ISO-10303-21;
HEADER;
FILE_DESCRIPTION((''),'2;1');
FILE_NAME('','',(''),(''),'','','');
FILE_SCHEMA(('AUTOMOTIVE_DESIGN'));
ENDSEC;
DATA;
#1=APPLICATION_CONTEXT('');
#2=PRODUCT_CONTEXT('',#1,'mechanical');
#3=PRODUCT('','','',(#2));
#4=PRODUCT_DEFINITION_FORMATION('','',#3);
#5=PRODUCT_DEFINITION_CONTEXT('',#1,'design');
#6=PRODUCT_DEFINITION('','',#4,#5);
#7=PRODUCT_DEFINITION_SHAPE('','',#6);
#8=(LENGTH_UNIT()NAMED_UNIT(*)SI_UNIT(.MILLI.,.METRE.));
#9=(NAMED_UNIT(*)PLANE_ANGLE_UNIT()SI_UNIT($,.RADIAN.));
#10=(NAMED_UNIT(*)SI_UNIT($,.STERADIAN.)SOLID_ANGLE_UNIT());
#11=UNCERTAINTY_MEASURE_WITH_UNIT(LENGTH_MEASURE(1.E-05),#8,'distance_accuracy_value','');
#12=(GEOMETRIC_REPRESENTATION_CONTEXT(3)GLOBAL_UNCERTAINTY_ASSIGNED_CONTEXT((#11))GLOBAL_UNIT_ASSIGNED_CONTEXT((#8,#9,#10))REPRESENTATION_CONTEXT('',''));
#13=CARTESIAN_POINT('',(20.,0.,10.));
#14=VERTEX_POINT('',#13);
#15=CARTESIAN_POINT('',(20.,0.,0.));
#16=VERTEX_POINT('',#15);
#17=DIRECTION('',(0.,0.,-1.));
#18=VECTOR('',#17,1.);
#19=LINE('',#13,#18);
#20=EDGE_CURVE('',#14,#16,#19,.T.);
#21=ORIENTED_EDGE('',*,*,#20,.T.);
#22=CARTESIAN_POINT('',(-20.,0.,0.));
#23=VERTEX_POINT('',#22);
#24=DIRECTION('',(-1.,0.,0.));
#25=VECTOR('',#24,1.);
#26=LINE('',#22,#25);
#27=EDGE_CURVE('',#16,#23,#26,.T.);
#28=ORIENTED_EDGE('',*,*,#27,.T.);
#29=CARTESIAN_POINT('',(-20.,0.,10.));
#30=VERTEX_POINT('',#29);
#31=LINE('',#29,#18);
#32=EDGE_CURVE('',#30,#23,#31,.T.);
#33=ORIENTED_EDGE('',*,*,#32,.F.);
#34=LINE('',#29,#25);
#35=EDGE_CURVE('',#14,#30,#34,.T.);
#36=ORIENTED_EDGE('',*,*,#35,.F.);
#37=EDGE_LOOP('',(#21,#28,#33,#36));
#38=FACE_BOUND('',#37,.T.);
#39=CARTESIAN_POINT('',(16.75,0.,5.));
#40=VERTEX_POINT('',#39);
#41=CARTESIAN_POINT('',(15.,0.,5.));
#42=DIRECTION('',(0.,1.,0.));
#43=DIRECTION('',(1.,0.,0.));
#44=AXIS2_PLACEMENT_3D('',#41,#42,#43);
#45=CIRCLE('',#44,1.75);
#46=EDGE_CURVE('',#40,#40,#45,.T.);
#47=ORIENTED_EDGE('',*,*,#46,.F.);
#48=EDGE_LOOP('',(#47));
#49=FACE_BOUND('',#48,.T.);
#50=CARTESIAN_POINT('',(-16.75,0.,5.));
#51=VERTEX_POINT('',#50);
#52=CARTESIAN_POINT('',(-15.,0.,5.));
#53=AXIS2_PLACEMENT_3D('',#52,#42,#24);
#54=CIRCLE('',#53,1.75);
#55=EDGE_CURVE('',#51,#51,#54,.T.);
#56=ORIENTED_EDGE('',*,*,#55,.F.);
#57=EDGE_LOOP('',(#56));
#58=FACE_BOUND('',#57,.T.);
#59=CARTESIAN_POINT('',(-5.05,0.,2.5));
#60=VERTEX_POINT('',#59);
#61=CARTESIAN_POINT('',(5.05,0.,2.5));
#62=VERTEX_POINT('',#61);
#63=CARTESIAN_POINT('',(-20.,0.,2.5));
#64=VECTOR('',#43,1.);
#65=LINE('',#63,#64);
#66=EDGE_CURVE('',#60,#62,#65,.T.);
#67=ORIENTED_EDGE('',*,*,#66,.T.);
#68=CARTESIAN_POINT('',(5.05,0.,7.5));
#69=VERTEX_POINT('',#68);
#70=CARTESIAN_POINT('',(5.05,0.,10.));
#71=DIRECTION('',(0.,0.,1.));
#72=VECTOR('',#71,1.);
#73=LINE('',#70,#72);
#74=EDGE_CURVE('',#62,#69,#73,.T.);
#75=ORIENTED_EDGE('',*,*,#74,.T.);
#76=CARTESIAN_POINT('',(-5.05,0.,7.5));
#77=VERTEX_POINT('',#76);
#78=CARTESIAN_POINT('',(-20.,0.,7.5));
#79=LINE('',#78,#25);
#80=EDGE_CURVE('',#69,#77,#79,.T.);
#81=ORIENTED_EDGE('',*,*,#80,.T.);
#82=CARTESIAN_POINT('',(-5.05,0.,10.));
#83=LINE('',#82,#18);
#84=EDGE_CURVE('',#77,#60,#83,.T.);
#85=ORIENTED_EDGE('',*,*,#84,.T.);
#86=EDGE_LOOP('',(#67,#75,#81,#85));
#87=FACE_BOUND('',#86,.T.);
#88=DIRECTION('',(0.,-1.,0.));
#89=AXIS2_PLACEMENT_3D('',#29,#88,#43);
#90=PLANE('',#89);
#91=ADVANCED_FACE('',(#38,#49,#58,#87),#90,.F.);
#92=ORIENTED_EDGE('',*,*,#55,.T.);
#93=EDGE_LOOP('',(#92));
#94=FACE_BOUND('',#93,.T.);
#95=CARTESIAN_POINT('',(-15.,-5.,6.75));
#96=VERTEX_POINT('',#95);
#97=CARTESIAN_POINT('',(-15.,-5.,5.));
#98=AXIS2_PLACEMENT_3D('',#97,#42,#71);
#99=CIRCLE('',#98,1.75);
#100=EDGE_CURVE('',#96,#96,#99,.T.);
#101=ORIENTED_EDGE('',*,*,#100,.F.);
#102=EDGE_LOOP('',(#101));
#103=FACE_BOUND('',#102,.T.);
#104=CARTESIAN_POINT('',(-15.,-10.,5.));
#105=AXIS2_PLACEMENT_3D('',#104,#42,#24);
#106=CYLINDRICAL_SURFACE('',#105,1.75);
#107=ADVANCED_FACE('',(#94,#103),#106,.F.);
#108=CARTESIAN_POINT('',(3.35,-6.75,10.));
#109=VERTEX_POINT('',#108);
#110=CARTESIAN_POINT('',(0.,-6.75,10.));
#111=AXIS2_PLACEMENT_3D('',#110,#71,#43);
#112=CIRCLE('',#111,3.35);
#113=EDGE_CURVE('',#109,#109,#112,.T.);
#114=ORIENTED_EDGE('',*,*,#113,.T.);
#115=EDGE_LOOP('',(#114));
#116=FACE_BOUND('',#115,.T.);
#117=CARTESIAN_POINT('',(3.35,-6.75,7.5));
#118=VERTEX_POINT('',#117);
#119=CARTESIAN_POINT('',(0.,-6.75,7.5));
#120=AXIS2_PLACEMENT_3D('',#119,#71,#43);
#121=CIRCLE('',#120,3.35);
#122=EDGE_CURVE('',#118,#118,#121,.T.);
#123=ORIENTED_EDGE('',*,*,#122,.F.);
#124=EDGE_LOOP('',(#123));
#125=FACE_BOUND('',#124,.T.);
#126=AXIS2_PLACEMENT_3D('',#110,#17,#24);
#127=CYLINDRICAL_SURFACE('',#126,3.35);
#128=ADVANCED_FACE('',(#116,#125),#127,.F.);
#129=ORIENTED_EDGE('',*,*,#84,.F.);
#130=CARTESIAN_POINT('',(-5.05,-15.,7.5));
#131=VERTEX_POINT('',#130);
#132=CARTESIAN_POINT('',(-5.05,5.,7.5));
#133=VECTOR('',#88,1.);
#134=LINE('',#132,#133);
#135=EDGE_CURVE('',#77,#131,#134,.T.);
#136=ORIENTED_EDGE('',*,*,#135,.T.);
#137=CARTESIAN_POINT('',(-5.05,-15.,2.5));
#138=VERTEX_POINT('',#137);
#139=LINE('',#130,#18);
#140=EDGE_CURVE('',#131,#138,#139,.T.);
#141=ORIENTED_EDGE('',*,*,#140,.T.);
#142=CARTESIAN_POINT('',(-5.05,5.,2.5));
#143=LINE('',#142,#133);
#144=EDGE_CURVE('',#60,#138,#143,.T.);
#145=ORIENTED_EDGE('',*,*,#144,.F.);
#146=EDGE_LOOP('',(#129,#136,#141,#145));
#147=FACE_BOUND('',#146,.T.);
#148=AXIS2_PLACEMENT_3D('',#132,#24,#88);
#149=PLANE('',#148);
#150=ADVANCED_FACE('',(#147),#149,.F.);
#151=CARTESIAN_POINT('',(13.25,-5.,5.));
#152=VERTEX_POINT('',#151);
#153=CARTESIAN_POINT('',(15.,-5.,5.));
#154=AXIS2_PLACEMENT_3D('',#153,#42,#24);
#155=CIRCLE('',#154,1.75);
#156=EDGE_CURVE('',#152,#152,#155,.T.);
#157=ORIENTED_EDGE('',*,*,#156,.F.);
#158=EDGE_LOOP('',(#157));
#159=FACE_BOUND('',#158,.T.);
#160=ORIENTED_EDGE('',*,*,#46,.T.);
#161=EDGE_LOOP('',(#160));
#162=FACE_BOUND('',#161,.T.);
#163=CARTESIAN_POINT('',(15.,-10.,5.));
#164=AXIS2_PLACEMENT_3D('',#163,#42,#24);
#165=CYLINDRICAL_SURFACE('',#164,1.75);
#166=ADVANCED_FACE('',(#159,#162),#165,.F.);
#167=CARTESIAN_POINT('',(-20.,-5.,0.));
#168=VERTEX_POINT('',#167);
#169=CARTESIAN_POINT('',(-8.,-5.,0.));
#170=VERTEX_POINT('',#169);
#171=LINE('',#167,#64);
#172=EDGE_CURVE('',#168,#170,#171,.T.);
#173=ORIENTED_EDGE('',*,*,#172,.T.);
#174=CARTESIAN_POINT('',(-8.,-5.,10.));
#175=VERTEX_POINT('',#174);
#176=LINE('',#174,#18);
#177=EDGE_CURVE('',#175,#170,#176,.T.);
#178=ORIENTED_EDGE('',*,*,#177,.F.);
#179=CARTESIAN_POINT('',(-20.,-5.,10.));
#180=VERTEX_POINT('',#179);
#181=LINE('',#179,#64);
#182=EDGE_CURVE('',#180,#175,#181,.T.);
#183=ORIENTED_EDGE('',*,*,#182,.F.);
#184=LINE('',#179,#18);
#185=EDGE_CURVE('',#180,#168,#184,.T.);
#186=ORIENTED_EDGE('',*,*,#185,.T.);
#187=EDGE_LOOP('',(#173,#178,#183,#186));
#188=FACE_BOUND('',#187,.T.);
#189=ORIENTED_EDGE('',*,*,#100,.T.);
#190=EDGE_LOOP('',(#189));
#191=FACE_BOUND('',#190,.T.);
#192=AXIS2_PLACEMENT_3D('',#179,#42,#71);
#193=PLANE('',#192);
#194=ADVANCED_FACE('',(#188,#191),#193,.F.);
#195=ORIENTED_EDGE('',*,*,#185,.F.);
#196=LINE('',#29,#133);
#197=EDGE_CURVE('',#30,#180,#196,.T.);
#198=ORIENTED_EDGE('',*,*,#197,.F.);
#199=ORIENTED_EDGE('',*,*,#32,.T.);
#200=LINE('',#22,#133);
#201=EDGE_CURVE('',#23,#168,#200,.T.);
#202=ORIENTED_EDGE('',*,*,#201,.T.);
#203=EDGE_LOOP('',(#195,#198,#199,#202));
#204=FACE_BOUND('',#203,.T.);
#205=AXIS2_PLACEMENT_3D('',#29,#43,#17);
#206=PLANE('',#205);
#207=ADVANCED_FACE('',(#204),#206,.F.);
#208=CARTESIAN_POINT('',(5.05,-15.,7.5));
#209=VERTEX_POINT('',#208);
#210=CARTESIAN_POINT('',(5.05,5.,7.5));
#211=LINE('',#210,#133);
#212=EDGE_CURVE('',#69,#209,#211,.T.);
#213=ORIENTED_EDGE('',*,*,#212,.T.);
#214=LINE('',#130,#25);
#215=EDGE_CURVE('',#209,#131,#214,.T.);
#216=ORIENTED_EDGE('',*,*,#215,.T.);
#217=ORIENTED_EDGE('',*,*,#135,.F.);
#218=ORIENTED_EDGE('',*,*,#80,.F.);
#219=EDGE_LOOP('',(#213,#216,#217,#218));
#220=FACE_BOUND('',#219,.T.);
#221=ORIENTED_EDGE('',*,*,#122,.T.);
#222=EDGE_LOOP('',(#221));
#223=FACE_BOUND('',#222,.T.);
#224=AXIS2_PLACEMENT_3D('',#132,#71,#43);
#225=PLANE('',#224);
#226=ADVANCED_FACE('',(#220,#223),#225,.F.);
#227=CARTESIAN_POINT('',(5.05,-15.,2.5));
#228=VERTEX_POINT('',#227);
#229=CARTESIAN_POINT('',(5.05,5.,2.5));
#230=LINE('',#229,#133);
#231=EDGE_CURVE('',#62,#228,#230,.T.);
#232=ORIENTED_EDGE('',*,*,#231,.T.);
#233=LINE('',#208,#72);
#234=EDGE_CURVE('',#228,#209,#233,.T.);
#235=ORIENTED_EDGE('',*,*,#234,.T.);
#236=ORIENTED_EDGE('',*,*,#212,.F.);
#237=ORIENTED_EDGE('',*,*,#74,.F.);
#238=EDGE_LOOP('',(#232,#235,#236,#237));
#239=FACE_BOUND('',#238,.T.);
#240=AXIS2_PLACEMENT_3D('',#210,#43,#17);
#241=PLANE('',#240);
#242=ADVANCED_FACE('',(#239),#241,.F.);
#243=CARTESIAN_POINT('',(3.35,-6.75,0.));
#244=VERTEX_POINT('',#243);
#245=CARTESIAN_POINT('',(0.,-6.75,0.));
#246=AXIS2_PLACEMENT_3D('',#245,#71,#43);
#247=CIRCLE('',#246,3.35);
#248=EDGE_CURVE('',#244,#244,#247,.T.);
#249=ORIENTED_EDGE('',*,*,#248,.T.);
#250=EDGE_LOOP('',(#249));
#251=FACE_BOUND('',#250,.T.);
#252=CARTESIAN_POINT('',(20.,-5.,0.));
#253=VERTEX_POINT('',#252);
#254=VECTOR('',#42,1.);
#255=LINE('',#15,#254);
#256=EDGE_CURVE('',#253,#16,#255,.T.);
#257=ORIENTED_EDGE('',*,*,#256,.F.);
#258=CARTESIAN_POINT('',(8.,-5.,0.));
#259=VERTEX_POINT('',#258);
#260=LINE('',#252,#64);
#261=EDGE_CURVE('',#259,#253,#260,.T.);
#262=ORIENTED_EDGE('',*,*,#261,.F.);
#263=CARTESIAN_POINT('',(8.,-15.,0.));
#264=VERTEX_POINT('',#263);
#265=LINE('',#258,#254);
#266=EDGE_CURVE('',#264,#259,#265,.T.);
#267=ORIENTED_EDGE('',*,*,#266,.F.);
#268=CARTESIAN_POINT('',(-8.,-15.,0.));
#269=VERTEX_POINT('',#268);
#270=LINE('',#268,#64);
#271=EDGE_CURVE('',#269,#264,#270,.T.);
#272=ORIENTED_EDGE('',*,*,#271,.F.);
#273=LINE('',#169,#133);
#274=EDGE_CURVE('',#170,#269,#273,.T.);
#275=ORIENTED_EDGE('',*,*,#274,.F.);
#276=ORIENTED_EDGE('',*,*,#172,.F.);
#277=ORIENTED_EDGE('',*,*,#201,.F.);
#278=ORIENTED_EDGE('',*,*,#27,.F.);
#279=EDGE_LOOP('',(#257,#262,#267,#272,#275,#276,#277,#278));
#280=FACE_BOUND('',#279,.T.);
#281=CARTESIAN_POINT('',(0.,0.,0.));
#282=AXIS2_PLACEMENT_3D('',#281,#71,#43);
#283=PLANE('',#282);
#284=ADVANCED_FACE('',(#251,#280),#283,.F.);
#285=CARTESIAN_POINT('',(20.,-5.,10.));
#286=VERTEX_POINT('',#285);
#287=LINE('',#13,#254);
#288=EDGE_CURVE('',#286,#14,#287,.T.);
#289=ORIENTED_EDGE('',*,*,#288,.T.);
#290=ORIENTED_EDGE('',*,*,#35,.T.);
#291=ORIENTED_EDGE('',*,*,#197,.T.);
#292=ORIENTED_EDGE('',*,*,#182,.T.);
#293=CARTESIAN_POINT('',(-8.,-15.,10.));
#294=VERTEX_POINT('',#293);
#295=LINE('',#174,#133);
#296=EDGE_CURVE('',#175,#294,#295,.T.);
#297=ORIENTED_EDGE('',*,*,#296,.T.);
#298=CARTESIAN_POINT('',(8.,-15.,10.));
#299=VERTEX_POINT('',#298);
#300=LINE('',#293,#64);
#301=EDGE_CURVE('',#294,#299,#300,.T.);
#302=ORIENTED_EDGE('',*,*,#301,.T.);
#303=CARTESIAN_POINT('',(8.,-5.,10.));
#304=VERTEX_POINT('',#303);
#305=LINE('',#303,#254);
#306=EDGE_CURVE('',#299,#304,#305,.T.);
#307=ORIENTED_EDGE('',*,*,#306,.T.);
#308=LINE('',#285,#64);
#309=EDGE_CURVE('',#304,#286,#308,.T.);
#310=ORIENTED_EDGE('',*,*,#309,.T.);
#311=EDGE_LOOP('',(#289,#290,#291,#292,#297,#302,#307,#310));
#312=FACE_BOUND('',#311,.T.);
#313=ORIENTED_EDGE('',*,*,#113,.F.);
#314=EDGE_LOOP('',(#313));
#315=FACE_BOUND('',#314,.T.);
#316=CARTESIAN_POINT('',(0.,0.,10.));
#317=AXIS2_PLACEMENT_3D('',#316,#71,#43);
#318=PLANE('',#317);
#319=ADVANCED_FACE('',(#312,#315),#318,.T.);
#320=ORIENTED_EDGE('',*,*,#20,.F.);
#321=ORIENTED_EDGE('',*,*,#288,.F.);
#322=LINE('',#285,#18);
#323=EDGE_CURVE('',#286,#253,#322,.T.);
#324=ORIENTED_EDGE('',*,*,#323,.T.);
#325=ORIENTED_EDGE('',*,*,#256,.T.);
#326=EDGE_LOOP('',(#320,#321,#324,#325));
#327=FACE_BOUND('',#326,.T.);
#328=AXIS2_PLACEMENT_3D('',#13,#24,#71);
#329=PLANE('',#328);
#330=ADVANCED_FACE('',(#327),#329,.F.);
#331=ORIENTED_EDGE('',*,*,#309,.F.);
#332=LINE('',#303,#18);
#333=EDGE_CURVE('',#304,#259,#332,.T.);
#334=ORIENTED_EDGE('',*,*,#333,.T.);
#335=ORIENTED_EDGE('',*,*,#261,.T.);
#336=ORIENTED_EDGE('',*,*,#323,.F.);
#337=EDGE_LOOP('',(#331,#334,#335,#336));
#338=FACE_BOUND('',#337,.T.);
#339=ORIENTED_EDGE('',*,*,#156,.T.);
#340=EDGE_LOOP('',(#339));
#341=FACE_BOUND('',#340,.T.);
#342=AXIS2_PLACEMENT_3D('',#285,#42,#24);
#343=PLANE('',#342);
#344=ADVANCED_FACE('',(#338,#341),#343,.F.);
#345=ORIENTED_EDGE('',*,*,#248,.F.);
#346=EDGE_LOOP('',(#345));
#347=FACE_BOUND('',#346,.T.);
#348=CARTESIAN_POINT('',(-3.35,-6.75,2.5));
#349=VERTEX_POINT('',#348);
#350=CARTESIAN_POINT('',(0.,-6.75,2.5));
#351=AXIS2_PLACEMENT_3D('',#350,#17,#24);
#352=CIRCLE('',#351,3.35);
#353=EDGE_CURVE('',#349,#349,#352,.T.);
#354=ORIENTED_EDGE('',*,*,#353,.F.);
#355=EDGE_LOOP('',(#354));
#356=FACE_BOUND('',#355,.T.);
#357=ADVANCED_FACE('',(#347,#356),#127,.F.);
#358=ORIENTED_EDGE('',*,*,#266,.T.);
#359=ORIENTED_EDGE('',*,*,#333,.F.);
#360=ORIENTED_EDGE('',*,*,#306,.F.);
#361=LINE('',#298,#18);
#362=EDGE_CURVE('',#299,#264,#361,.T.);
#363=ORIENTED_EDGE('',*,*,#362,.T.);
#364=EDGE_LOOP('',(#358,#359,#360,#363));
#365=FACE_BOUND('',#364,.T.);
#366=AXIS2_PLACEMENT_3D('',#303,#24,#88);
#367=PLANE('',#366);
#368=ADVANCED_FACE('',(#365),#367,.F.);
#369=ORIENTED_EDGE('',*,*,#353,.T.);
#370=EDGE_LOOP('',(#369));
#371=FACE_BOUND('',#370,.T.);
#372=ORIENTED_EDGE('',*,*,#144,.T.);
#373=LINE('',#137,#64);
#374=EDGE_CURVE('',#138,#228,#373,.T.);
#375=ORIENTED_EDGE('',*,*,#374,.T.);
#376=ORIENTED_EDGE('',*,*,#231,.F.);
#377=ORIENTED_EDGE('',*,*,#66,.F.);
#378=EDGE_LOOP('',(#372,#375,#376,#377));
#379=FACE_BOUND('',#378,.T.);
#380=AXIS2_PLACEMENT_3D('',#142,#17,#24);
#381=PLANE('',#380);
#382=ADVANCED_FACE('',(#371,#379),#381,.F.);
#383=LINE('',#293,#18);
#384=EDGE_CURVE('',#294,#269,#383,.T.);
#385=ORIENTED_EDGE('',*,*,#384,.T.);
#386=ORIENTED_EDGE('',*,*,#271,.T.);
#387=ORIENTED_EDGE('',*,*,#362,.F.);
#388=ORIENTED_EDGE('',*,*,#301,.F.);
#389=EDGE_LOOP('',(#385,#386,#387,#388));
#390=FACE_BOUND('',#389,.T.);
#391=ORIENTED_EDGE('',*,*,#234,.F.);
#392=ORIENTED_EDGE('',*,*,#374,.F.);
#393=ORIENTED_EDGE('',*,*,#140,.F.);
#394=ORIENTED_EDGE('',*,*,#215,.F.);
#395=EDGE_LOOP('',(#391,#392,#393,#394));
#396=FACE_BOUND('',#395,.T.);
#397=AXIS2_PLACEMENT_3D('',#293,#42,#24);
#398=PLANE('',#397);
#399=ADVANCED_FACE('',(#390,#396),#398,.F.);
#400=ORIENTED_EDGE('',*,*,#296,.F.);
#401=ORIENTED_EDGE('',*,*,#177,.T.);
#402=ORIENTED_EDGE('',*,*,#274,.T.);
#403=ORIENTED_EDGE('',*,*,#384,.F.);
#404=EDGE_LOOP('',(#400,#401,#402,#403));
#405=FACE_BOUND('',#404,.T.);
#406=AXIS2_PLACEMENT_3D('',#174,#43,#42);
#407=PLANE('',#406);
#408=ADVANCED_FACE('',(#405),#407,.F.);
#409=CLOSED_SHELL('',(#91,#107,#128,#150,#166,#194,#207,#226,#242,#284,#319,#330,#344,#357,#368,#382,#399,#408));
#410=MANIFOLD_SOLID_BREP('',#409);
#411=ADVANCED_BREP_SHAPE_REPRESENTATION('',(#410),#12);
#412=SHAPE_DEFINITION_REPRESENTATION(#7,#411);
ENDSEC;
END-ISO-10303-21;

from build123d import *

# Parameters (mm, degrees)
ESBO_O1_R                = 3.35
RESSALTO_EXTRUS_O1_DEPTH = 10
ESBO_O2_R                = 1.75
CORTE_EXTRUS_O1_DEPTH    = 10
ESBO_O3_W                = 10.1
ESBO_O3_H                = 5
CORTE_EXTRUS_O2_DEPTH    = 20


with BuildPart() as part:
    # Esboço1 → Ressalto-extrusão1 (new body)
    with BuildSketch(Plane.XY):
        Polygon((-8, -5), (-8, -15), (8, -15), (8, -5), (20, -5), (20, 0), (-20, 0), (-20, -5), align=None)
        with Locations((0, -6.75)):
            Circle(ESBO_O1_R, mode=Mode.SUBTRACT)
    extrude(amount=RESSALTO_EXTRUS_O1_DEPTH)

    # Esboço2 → Corte-extrusão1 (cut)
    with BuildSketch(Plane(origin=(0, 0, 0), x_dir=(1, 0, 0), z_dir=(0, 1, 0))):
        with Locations(Location((-15, -5, 0), (0, 0, 180))):
            Circle(ESBO_O2_R)
        with Locations(Location((15, -5, 0), (0, 0, 180))):
            Circle(ESBO_O2_R)
    extrude(amount=-CORTE_EXTRUS_O1_DEPTH, mode=Mode.SUBTRACT)

    # Esboço3 → Corte-extrusão2 (cut)
    with BuildSketch(Plane.XZ.offset(15)):
        with Locations((0, 5)):
            Rectangle(ESBO_O3_W, ESBO_O3_H)
    extrude(amount=-CORTE_EXTRUS_O2_DEPTH, mode=Mode.SUBTRACT)


solid = part.part
